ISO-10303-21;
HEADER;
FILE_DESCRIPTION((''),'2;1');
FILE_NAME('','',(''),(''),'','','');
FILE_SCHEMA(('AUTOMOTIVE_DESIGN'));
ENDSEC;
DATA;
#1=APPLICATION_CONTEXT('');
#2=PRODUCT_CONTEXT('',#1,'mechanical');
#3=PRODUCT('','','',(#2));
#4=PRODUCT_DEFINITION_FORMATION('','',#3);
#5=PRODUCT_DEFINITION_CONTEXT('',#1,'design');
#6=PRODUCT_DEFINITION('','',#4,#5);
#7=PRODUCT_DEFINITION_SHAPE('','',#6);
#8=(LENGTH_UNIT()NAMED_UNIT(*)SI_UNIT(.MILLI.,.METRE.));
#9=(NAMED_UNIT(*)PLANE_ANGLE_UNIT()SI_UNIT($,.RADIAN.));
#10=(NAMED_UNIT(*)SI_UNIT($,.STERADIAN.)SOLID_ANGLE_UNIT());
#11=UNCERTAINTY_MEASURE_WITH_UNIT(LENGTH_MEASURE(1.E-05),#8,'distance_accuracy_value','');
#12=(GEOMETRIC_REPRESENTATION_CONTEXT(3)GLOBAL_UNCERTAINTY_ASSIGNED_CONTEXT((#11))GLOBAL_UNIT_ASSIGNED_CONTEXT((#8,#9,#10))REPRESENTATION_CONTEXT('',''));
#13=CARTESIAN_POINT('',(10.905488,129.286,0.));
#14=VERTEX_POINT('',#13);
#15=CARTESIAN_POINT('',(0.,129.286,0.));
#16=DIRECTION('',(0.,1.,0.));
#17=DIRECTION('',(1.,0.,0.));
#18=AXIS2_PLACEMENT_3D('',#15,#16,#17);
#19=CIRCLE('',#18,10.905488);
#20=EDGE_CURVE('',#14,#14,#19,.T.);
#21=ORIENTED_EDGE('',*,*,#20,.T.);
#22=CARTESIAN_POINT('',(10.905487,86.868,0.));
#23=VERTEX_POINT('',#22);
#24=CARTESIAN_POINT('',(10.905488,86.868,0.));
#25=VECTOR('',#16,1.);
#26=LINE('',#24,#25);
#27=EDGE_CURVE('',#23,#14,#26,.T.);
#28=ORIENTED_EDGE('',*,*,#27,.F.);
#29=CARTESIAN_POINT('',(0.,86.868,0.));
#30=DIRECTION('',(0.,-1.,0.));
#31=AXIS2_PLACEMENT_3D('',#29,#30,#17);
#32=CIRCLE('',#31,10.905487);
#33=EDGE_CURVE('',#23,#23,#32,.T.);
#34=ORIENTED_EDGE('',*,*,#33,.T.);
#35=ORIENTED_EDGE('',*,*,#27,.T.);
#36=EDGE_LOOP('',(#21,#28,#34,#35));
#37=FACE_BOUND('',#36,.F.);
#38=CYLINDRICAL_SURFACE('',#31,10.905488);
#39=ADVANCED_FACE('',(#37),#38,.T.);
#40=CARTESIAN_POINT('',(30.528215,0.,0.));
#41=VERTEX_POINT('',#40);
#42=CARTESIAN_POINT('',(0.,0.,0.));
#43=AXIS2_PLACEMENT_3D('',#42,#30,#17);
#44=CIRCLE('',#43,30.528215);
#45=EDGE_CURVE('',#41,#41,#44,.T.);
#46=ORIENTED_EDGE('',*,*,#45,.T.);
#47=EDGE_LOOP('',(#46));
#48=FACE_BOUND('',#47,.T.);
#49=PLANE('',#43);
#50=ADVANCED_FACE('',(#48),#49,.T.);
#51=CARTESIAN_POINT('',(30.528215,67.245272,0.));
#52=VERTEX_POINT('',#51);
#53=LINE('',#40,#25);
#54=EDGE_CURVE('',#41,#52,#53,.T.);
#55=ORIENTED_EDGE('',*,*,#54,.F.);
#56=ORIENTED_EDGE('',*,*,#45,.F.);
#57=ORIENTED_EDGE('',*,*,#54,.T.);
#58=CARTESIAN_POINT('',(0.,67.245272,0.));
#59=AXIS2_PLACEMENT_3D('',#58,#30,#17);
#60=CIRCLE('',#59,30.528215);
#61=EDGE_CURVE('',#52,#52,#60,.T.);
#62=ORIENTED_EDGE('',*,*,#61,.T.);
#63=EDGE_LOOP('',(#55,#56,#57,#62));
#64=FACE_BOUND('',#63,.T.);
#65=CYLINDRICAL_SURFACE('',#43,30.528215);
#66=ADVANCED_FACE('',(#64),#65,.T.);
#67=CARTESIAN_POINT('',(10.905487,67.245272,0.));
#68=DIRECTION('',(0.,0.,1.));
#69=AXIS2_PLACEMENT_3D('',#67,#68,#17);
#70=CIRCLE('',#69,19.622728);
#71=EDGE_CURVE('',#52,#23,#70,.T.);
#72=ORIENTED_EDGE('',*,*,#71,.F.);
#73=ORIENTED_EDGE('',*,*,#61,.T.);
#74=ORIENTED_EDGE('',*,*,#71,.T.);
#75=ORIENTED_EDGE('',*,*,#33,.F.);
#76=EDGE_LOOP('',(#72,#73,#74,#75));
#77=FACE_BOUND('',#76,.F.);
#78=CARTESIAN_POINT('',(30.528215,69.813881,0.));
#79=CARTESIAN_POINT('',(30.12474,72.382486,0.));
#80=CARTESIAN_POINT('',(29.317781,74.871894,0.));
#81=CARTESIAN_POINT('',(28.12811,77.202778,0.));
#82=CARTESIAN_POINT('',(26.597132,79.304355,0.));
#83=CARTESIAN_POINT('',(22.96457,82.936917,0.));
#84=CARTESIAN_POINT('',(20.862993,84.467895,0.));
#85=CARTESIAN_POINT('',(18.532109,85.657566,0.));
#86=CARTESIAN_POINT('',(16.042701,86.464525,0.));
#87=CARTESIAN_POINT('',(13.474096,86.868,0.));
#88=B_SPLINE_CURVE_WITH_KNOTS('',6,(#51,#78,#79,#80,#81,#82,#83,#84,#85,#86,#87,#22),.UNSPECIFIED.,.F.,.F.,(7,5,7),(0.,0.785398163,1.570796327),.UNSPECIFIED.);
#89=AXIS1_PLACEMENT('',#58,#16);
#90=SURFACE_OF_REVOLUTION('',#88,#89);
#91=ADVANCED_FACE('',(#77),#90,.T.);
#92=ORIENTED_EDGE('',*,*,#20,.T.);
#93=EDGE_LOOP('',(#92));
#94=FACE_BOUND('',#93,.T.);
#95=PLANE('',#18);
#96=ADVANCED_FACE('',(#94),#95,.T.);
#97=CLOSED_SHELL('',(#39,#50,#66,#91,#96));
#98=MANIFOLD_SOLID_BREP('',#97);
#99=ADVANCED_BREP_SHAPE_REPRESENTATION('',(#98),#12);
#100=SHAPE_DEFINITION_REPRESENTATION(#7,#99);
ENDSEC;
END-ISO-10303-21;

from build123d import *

# Parameters (mm, degrees)
F0_R      = 30.528215
F1_DEPTH  = 86.868
F2_R      = 19.622728
F1_FACE_R = 10.905488
F3_DEPTH  = 42.418


with BuildPart() as f1:
    # F0 (on Front) → F1 (new body)
    with BuildSketch(Plane.XZ):
        Circle(F0_R)
    extrude(amount=-F1_DEPTH)

    # F2
    f2_edges = [f1.edges().sort_by_distance(p)[0] for p in [
        (-30.528215, 86.868, 0),
    ]]
    fillet(f2_edges, radius=F2_R)

    # F1_face (on face) → F3 (join)
    with BuildSketch(Plane(origin=(0, 86.868, 0), x_dir=(1, 0, 0), z_dir=(0, 1, 0))):
        Circle(F1_FACE_R)
    extrude(amount=F3_DEPTH)


solid = f1.part
